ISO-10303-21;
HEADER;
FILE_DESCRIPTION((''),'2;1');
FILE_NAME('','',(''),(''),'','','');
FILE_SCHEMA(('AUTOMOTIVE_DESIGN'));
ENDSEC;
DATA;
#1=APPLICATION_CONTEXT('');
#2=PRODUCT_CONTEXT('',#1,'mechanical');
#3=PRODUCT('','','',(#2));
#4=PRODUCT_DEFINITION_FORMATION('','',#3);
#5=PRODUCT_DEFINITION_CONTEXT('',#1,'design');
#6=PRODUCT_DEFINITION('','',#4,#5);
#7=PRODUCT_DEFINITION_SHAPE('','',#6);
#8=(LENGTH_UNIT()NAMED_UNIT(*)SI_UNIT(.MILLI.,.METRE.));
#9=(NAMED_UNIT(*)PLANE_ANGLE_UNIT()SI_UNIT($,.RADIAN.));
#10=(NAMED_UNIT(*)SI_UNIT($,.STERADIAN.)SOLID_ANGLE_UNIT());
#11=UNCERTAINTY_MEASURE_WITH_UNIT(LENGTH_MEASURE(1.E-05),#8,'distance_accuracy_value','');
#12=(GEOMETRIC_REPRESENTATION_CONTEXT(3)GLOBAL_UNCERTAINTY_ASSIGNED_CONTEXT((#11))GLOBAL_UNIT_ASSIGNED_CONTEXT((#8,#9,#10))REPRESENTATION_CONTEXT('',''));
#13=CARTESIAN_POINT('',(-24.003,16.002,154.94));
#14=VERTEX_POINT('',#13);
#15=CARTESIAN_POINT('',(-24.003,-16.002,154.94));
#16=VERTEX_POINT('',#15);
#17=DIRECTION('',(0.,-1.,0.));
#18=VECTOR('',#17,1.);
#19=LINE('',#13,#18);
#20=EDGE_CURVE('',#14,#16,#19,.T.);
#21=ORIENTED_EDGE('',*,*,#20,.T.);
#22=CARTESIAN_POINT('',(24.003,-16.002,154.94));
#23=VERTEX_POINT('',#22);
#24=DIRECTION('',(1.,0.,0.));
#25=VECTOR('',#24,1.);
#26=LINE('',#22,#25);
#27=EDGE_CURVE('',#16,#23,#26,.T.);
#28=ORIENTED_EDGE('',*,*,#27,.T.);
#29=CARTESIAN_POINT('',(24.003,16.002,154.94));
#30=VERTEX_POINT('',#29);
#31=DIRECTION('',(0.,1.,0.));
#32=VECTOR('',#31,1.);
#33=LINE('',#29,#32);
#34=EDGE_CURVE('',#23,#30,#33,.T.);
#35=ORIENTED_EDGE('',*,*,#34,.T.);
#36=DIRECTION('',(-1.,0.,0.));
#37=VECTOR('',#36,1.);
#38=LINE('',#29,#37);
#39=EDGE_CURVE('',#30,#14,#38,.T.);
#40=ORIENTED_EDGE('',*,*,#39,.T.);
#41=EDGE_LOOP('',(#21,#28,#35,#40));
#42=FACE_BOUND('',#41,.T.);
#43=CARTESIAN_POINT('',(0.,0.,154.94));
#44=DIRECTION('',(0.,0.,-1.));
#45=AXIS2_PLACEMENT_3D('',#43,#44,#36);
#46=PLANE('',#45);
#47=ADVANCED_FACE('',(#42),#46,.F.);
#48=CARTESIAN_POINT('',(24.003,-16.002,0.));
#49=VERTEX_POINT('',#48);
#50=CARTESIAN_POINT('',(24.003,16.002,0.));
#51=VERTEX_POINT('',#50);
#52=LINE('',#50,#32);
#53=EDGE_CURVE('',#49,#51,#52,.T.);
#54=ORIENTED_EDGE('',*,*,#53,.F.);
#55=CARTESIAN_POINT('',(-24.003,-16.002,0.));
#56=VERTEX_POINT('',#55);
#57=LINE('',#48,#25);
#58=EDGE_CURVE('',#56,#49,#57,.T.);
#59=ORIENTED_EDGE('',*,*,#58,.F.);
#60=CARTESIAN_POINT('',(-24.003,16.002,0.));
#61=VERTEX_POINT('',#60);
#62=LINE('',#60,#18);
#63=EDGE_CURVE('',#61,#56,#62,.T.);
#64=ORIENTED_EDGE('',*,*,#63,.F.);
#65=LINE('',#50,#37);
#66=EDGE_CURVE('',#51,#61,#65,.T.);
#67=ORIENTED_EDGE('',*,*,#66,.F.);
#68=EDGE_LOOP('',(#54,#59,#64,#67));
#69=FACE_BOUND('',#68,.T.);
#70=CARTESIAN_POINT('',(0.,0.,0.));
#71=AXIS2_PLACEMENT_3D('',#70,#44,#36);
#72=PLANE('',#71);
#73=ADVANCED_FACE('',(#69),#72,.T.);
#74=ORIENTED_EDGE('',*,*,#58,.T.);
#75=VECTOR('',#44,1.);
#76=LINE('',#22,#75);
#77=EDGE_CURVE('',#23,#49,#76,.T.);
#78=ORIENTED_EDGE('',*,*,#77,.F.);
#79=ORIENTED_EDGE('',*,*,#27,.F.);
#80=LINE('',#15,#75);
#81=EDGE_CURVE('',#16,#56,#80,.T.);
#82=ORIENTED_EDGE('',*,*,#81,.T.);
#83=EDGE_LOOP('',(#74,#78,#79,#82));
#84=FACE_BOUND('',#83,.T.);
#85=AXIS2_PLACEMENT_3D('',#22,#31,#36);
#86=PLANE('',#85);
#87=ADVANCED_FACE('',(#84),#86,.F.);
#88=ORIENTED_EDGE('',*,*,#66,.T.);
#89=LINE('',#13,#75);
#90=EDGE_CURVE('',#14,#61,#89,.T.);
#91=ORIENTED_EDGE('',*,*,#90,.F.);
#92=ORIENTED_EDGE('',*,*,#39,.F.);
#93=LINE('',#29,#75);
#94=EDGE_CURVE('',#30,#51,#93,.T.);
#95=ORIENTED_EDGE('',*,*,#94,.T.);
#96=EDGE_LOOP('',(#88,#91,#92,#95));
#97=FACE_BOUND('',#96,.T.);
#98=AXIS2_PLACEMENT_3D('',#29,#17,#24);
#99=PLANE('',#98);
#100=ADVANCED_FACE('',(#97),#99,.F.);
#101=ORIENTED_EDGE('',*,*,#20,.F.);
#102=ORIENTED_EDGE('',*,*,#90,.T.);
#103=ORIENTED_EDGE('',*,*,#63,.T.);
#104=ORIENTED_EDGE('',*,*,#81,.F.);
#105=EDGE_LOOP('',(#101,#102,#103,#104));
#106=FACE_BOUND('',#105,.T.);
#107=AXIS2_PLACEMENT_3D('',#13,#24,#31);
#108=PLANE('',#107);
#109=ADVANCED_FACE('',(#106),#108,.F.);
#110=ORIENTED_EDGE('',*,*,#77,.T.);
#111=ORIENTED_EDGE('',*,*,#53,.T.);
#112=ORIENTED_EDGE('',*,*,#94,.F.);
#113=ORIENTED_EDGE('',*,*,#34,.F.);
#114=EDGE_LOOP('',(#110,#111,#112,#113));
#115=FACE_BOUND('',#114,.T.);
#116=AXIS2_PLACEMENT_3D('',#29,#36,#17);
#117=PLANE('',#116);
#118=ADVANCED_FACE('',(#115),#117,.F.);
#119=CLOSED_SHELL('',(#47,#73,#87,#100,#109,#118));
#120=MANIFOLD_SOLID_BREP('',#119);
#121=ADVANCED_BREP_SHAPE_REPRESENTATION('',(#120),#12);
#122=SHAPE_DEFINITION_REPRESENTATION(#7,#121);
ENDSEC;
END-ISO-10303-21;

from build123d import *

# Parameters (mm, degrees)
SKETCH1_W           = 48.006
SKETCH1_H           = 32.004
BOSS_EXTRUDE1_DEPTH = 154.94


with BuildPart() as part:
    # Sketch1 → Boss-Extrude1 (new body)
    with BuildSketch(Plane.XY):
        Rectangle(SKETCH1_W, SKETCH1_H)
    extrude(amount=BOSS_EXTRUDE1_DEPTH)


solid = part.part
